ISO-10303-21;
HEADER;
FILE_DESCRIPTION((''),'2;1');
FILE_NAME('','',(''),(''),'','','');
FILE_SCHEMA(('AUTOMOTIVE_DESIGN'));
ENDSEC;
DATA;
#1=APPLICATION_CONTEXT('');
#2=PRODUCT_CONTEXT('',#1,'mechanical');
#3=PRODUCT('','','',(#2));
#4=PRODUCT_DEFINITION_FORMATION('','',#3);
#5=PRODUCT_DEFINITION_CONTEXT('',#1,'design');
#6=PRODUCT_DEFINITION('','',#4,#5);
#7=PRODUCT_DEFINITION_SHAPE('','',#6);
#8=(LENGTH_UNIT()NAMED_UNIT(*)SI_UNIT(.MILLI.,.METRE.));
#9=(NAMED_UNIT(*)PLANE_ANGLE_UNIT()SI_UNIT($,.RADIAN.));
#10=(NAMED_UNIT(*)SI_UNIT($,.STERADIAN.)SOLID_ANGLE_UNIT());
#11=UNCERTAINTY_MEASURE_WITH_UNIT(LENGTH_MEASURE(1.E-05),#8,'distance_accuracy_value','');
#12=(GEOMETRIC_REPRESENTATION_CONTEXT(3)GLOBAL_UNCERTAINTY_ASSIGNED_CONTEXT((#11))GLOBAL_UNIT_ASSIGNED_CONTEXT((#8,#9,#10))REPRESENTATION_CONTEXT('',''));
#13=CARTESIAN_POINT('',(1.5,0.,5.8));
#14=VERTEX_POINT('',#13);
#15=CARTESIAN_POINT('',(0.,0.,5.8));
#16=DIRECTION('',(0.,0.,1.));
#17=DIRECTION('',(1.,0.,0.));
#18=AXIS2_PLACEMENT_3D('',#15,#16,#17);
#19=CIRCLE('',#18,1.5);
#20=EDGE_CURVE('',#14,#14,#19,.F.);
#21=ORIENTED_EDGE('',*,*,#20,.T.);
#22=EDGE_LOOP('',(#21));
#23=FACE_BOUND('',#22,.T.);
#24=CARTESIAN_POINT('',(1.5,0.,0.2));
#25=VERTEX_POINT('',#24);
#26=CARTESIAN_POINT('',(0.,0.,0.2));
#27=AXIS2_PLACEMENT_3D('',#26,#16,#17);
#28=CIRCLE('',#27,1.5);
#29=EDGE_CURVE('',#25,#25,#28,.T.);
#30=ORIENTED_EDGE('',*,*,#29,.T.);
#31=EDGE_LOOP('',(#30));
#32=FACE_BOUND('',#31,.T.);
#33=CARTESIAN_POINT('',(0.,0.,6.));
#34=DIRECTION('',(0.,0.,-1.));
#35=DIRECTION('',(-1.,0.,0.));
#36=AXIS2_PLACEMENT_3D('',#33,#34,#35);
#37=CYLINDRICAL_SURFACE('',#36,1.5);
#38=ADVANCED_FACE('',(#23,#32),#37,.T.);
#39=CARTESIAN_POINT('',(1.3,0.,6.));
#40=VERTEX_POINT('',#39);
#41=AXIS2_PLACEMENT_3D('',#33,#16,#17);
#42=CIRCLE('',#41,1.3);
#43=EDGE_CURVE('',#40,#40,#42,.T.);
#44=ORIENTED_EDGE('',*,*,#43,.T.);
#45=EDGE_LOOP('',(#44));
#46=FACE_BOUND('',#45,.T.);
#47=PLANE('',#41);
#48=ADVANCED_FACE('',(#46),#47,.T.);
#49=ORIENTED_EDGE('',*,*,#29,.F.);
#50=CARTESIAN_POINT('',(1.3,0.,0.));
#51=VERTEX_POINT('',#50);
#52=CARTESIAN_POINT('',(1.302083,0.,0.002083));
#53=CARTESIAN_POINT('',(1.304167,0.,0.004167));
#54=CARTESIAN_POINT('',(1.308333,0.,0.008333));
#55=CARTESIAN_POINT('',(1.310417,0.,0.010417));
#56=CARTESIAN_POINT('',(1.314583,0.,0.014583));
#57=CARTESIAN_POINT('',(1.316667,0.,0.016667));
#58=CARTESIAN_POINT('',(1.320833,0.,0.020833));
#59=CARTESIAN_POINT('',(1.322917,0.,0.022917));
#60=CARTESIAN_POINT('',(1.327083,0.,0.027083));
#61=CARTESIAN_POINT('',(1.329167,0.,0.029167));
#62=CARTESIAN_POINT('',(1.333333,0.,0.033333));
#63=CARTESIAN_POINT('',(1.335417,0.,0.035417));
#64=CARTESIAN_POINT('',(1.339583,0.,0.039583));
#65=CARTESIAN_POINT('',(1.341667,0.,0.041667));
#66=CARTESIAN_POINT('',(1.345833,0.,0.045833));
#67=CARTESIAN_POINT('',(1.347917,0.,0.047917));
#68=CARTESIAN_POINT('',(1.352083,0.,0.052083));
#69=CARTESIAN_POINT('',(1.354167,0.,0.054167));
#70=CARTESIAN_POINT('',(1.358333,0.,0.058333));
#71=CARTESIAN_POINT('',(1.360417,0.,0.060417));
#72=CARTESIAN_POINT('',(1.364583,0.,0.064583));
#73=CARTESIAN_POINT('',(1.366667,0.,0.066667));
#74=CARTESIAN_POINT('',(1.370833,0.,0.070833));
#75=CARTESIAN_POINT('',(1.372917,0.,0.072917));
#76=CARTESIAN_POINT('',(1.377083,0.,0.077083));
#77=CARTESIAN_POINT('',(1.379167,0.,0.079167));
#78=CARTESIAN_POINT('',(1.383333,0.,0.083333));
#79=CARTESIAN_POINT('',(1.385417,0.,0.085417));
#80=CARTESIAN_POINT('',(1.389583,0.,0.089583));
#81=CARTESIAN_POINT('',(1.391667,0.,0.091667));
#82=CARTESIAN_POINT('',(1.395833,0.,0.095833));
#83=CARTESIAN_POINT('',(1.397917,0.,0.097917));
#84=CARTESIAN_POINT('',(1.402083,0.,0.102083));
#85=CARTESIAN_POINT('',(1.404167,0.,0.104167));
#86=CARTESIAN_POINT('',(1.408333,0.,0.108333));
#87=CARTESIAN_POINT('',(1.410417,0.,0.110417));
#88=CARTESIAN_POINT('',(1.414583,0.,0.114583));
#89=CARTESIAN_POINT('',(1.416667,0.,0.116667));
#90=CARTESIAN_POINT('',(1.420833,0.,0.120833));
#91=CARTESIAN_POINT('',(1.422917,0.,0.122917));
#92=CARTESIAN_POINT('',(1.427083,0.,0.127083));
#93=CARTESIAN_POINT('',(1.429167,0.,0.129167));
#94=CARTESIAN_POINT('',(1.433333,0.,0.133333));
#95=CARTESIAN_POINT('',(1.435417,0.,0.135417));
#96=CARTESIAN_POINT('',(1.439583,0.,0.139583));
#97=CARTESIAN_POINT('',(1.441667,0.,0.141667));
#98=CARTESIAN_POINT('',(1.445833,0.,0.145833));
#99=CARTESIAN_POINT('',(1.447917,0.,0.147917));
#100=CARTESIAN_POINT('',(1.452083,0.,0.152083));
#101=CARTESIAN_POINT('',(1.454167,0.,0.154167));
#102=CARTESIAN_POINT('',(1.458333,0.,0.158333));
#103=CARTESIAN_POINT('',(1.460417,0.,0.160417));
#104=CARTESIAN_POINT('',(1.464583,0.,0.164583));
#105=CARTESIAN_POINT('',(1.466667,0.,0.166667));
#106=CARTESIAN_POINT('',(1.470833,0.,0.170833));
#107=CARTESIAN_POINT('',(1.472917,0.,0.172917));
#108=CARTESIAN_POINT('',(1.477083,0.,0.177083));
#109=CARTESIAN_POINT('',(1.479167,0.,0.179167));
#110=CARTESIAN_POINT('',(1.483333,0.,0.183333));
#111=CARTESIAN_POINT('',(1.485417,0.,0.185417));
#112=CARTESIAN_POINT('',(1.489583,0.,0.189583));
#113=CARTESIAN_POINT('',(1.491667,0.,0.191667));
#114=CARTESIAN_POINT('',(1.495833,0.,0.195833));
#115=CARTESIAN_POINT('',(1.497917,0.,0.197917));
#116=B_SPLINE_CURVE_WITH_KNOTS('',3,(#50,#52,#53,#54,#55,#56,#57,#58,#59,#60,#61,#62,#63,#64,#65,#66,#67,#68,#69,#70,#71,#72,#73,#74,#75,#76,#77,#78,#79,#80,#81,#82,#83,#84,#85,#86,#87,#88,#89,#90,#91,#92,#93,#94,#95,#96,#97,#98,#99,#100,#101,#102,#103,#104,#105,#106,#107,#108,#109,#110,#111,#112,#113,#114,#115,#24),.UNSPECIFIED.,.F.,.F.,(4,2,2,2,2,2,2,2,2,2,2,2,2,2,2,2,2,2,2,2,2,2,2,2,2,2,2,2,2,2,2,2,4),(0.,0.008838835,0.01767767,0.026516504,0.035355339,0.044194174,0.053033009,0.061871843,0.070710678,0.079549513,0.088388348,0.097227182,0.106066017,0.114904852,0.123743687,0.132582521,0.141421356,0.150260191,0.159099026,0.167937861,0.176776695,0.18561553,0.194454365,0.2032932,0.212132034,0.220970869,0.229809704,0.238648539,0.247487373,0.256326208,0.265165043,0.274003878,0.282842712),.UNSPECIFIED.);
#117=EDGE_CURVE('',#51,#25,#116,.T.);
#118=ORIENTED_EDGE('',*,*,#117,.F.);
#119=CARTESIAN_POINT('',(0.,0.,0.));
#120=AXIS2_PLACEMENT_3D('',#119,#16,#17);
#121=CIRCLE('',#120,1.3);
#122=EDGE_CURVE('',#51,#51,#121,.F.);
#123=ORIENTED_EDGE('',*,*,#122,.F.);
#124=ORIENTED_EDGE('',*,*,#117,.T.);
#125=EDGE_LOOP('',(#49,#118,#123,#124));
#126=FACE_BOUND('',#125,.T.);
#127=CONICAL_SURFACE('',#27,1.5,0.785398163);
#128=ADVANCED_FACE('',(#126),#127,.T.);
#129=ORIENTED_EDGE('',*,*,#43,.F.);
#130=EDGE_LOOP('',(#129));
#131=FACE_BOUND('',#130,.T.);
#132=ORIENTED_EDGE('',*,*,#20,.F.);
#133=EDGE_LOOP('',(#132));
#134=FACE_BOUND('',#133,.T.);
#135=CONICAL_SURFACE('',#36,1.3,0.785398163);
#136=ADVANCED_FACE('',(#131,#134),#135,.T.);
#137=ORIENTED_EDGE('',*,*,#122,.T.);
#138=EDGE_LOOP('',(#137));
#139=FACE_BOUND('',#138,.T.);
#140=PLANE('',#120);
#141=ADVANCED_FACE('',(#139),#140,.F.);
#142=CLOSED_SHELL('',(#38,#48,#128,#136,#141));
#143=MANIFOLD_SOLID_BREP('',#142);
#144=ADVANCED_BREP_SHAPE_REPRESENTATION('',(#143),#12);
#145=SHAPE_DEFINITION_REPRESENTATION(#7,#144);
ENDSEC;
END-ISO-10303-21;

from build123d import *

# Parameters (mm, degrees)
ESQUISSE1_R      = 1.5
EXTRUSION1_DEPTH = 6
CHANFREIN1_SIZE  = 0.2


with BuildPart() as part:
    # Esquisse1 → Extrusion1 (new body)
    with BuildSketch(Plane.XY):
        Circle(ESQUISSE1_R)
    extrude(amount=EXTRUSION1_DEPTH)

    # Chanfrein1
    chanfrein1_edges = [part.edges().sort_by_distance(p)[0] for p in [
        (-1.5, 0, 0),
        (-1.5, 0, 6),
    ]]
    chamfer(chanfrein1_edges, length=CHANFREIN1_SIZE)


solid = part.part
